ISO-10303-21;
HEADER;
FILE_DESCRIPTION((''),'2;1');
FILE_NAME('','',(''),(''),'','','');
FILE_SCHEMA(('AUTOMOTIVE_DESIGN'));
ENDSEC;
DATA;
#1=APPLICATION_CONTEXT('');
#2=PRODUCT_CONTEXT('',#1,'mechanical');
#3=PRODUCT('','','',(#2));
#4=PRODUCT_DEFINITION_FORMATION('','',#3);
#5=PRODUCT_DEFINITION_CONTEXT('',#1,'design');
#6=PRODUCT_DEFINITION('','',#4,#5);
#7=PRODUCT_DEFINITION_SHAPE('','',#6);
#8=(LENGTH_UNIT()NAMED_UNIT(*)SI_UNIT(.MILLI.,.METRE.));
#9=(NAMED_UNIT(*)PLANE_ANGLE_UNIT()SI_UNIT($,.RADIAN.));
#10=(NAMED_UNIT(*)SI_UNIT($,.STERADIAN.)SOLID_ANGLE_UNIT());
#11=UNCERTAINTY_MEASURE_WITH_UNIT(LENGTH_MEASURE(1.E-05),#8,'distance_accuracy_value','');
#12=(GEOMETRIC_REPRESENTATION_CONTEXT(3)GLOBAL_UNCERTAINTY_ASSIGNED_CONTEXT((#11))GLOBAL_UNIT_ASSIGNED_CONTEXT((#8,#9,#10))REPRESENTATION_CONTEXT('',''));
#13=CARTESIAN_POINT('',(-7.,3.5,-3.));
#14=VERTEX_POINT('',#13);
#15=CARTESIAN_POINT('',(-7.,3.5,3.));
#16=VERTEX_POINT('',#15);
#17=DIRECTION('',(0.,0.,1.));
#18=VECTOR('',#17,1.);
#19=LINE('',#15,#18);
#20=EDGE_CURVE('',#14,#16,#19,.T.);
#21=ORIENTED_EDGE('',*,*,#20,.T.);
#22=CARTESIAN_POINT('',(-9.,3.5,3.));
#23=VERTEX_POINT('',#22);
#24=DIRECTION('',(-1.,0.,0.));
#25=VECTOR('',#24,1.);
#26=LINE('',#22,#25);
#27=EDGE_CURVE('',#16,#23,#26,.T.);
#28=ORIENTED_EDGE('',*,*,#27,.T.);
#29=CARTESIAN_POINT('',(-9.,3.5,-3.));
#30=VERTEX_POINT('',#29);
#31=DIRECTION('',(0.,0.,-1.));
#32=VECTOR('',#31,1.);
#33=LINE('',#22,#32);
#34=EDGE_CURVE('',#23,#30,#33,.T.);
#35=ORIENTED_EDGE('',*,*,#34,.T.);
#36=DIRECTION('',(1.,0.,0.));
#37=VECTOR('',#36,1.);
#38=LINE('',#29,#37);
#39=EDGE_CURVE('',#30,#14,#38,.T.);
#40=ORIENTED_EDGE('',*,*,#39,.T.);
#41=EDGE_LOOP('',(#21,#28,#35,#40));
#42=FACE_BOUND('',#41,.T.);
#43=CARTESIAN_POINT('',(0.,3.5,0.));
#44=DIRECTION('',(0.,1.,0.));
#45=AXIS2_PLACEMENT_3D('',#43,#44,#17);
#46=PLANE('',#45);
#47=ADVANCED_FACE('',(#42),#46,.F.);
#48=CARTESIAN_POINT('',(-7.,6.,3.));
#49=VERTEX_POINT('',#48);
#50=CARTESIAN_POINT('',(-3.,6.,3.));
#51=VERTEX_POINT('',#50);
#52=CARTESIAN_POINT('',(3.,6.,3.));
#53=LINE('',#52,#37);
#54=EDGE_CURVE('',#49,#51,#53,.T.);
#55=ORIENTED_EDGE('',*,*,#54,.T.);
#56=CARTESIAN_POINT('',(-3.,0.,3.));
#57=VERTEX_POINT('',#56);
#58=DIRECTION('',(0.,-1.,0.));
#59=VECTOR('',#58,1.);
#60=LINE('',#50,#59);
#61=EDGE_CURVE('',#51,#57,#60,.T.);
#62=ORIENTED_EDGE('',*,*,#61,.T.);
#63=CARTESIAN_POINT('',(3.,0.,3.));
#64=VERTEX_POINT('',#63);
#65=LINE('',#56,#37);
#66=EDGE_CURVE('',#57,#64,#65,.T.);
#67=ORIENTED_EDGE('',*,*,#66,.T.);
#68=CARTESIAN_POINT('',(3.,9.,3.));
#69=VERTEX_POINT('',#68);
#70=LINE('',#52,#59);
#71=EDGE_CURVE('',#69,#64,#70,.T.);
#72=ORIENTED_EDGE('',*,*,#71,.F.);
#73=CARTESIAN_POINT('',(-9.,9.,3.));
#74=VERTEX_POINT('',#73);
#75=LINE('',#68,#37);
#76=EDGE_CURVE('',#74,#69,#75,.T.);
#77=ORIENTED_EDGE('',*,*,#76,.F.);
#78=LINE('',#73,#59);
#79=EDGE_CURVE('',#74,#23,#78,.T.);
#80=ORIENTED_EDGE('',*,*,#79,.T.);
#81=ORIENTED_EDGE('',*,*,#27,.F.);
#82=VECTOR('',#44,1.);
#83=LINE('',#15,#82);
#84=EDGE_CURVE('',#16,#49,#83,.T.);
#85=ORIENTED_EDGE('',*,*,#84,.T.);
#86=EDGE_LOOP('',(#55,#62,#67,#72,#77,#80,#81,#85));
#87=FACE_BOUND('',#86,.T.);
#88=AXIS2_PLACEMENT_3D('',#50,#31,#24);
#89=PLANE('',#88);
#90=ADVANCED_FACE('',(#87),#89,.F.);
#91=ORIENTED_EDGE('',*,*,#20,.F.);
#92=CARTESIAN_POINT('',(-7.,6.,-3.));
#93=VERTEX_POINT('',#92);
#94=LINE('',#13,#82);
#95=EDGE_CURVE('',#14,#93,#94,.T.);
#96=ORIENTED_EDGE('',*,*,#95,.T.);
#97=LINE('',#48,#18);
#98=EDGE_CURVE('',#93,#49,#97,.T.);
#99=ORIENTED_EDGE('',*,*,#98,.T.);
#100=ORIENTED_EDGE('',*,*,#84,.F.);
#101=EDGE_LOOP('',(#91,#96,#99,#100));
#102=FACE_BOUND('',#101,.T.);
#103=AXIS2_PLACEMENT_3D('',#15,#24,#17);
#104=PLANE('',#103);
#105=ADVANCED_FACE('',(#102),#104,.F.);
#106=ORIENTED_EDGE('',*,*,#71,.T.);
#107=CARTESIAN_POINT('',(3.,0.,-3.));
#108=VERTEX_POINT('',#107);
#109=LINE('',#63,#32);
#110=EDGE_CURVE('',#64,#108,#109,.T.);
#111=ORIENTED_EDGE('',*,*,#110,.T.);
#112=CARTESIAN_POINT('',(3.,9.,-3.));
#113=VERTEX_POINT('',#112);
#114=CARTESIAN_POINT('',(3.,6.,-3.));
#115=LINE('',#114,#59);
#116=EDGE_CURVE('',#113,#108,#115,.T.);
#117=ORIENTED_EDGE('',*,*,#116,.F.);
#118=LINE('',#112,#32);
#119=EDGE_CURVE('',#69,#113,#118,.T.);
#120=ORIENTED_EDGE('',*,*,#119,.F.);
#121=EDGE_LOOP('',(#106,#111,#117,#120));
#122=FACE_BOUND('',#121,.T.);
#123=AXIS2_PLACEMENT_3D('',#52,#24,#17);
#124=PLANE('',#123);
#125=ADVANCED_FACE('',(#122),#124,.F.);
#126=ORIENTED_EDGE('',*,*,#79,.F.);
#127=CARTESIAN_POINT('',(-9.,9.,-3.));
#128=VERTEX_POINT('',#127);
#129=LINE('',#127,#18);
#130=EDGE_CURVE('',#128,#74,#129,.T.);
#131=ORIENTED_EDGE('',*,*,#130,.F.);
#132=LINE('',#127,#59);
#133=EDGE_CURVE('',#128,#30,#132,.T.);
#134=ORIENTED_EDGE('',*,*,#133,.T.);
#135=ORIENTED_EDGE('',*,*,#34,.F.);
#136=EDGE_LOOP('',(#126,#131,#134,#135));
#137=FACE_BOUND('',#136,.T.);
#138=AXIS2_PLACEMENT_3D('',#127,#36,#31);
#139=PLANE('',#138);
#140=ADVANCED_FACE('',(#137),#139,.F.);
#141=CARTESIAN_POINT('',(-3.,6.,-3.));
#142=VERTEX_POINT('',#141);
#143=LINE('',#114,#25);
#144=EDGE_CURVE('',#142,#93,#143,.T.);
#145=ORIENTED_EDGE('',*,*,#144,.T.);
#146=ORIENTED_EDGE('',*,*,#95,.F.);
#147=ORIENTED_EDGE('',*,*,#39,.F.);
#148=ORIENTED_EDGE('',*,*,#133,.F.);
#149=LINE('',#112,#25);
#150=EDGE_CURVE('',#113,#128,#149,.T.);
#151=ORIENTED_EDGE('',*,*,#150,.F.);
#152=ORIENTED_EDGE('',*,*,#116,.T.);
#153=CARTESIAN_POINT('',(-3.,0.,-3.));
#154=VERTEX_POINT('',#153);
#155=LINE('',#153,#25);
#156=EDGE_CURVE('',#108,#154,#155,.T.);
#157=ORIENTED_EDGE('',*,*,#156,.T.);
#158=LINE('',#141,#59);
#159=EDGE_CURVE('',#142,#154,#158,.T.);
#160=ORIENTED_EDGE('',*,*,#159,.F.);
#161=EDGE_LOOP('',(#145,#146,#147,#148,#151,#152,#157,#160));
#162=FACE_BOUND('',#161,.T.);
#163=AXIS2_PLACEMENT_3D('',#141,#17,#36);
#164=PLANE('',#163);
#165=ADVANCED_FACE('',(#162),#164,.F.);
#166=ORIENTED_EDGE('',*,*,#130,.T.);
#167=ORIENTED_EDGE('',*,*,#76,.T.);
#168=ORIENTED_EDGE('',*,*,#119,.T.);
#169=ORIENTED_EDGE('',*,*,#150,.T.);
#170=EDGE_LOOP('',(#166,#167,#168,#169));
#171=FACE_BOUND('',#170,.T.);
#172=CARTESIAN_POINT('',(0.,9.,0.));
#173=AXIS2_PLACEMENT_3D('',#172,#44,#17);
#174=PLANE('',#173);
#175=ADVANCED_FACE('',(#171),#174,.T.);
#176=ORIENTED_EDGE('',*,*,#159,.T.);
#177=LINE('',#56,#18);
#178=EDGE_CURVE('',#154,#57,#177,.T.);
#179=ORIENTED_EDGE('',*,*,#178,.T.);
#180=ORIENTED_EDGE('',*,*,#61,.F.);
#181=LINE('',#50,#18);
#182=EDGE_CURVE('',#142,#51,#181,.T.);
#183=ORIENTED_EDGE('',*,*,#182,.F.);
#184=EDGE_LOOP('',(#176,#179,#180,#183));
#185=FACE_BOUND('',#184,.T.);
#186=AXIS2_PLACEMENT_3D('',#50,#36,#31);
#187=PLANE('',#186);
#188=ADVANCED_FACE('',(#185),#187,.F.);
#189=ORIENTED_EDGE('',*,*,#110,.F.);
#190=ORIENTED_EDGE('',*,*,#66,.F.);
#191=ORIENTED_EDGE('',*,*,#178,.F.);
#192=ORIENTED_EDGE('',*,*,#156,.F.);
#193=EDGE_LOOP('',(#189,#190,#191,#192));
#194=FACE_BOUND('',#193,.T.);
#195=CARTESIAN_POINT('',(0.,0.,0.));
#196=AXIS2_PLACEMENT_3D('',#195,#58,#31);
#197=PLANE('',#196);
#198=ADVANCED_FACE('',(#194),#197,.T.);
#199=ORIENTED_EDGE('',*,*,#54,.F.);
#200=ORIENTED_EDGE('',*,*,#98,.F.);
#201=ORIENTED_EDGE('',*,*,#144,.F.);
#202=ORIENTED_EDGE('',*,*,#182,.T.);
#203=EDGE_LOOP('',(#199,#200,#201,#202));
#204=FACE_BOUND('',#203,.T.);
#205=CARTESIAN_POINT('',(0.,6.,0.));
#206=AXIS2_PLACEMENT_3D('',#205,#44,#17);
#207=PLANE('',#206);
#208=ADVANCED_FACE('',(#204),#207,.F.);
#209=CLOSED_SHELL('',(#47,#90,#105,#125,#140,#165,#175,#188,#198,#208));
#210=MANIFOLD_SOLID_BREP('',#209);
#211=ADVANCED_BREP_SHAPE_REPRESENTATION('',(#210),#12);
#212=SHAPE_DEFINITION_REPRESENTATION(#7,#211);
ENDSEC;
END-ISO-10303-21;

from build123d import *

# Parameters (mm, degrees)
SKETCH1_W           = 6
SKETCH1_H           = 6
BOSS_EXTRUDE1_DEPTH = 6
SKETCH2_W           = 12
SKETCH2_H           = 6
BOSS_EXTRUDE2_DEPTH = 3
SKETCH3_W           = 2
SKETCH3_H           = 6
BOSS_EXTRUDE3_DEPTH = 2.5


with BuildPart() as part:
    # Sketch1 → Boss-Extrude1 (new body)
    with BuildSketch(Plane(origin=(0, 0, 0), x_dir=(1, 0, 0), z_dir=(0, 1, 0))):
        Rectangle(SKETCH1_W, SKETCH1_H)
    extrude(amount=BOSS_EXTRUDE1_DEPTH)

    # Sketch2 → Boss-Extrude2 (add)
    with BuildSketch(Plane(origin=(0, 6, 0), x_dir=(1, 0, 0), z_dir=(0, 1, 0))):
        with Locations((-3, 0)):
            Rectangle(SKETCH2_W, SKETCH2_H)
    extrude(amount=BOSS_EXTRUDE2_DEPTH)

    # Sketch3 → Boss-Extrude3 (add)
    with BuildSketch(Plane.XZ.offset(-6)):
        with Locations((-8, 0)):
            Rectangle(SKETCH3_W, SKETCH3_H)
    extrude(amount=BOSS_EXTRUDE3_DEPTH)


solid = part.part
